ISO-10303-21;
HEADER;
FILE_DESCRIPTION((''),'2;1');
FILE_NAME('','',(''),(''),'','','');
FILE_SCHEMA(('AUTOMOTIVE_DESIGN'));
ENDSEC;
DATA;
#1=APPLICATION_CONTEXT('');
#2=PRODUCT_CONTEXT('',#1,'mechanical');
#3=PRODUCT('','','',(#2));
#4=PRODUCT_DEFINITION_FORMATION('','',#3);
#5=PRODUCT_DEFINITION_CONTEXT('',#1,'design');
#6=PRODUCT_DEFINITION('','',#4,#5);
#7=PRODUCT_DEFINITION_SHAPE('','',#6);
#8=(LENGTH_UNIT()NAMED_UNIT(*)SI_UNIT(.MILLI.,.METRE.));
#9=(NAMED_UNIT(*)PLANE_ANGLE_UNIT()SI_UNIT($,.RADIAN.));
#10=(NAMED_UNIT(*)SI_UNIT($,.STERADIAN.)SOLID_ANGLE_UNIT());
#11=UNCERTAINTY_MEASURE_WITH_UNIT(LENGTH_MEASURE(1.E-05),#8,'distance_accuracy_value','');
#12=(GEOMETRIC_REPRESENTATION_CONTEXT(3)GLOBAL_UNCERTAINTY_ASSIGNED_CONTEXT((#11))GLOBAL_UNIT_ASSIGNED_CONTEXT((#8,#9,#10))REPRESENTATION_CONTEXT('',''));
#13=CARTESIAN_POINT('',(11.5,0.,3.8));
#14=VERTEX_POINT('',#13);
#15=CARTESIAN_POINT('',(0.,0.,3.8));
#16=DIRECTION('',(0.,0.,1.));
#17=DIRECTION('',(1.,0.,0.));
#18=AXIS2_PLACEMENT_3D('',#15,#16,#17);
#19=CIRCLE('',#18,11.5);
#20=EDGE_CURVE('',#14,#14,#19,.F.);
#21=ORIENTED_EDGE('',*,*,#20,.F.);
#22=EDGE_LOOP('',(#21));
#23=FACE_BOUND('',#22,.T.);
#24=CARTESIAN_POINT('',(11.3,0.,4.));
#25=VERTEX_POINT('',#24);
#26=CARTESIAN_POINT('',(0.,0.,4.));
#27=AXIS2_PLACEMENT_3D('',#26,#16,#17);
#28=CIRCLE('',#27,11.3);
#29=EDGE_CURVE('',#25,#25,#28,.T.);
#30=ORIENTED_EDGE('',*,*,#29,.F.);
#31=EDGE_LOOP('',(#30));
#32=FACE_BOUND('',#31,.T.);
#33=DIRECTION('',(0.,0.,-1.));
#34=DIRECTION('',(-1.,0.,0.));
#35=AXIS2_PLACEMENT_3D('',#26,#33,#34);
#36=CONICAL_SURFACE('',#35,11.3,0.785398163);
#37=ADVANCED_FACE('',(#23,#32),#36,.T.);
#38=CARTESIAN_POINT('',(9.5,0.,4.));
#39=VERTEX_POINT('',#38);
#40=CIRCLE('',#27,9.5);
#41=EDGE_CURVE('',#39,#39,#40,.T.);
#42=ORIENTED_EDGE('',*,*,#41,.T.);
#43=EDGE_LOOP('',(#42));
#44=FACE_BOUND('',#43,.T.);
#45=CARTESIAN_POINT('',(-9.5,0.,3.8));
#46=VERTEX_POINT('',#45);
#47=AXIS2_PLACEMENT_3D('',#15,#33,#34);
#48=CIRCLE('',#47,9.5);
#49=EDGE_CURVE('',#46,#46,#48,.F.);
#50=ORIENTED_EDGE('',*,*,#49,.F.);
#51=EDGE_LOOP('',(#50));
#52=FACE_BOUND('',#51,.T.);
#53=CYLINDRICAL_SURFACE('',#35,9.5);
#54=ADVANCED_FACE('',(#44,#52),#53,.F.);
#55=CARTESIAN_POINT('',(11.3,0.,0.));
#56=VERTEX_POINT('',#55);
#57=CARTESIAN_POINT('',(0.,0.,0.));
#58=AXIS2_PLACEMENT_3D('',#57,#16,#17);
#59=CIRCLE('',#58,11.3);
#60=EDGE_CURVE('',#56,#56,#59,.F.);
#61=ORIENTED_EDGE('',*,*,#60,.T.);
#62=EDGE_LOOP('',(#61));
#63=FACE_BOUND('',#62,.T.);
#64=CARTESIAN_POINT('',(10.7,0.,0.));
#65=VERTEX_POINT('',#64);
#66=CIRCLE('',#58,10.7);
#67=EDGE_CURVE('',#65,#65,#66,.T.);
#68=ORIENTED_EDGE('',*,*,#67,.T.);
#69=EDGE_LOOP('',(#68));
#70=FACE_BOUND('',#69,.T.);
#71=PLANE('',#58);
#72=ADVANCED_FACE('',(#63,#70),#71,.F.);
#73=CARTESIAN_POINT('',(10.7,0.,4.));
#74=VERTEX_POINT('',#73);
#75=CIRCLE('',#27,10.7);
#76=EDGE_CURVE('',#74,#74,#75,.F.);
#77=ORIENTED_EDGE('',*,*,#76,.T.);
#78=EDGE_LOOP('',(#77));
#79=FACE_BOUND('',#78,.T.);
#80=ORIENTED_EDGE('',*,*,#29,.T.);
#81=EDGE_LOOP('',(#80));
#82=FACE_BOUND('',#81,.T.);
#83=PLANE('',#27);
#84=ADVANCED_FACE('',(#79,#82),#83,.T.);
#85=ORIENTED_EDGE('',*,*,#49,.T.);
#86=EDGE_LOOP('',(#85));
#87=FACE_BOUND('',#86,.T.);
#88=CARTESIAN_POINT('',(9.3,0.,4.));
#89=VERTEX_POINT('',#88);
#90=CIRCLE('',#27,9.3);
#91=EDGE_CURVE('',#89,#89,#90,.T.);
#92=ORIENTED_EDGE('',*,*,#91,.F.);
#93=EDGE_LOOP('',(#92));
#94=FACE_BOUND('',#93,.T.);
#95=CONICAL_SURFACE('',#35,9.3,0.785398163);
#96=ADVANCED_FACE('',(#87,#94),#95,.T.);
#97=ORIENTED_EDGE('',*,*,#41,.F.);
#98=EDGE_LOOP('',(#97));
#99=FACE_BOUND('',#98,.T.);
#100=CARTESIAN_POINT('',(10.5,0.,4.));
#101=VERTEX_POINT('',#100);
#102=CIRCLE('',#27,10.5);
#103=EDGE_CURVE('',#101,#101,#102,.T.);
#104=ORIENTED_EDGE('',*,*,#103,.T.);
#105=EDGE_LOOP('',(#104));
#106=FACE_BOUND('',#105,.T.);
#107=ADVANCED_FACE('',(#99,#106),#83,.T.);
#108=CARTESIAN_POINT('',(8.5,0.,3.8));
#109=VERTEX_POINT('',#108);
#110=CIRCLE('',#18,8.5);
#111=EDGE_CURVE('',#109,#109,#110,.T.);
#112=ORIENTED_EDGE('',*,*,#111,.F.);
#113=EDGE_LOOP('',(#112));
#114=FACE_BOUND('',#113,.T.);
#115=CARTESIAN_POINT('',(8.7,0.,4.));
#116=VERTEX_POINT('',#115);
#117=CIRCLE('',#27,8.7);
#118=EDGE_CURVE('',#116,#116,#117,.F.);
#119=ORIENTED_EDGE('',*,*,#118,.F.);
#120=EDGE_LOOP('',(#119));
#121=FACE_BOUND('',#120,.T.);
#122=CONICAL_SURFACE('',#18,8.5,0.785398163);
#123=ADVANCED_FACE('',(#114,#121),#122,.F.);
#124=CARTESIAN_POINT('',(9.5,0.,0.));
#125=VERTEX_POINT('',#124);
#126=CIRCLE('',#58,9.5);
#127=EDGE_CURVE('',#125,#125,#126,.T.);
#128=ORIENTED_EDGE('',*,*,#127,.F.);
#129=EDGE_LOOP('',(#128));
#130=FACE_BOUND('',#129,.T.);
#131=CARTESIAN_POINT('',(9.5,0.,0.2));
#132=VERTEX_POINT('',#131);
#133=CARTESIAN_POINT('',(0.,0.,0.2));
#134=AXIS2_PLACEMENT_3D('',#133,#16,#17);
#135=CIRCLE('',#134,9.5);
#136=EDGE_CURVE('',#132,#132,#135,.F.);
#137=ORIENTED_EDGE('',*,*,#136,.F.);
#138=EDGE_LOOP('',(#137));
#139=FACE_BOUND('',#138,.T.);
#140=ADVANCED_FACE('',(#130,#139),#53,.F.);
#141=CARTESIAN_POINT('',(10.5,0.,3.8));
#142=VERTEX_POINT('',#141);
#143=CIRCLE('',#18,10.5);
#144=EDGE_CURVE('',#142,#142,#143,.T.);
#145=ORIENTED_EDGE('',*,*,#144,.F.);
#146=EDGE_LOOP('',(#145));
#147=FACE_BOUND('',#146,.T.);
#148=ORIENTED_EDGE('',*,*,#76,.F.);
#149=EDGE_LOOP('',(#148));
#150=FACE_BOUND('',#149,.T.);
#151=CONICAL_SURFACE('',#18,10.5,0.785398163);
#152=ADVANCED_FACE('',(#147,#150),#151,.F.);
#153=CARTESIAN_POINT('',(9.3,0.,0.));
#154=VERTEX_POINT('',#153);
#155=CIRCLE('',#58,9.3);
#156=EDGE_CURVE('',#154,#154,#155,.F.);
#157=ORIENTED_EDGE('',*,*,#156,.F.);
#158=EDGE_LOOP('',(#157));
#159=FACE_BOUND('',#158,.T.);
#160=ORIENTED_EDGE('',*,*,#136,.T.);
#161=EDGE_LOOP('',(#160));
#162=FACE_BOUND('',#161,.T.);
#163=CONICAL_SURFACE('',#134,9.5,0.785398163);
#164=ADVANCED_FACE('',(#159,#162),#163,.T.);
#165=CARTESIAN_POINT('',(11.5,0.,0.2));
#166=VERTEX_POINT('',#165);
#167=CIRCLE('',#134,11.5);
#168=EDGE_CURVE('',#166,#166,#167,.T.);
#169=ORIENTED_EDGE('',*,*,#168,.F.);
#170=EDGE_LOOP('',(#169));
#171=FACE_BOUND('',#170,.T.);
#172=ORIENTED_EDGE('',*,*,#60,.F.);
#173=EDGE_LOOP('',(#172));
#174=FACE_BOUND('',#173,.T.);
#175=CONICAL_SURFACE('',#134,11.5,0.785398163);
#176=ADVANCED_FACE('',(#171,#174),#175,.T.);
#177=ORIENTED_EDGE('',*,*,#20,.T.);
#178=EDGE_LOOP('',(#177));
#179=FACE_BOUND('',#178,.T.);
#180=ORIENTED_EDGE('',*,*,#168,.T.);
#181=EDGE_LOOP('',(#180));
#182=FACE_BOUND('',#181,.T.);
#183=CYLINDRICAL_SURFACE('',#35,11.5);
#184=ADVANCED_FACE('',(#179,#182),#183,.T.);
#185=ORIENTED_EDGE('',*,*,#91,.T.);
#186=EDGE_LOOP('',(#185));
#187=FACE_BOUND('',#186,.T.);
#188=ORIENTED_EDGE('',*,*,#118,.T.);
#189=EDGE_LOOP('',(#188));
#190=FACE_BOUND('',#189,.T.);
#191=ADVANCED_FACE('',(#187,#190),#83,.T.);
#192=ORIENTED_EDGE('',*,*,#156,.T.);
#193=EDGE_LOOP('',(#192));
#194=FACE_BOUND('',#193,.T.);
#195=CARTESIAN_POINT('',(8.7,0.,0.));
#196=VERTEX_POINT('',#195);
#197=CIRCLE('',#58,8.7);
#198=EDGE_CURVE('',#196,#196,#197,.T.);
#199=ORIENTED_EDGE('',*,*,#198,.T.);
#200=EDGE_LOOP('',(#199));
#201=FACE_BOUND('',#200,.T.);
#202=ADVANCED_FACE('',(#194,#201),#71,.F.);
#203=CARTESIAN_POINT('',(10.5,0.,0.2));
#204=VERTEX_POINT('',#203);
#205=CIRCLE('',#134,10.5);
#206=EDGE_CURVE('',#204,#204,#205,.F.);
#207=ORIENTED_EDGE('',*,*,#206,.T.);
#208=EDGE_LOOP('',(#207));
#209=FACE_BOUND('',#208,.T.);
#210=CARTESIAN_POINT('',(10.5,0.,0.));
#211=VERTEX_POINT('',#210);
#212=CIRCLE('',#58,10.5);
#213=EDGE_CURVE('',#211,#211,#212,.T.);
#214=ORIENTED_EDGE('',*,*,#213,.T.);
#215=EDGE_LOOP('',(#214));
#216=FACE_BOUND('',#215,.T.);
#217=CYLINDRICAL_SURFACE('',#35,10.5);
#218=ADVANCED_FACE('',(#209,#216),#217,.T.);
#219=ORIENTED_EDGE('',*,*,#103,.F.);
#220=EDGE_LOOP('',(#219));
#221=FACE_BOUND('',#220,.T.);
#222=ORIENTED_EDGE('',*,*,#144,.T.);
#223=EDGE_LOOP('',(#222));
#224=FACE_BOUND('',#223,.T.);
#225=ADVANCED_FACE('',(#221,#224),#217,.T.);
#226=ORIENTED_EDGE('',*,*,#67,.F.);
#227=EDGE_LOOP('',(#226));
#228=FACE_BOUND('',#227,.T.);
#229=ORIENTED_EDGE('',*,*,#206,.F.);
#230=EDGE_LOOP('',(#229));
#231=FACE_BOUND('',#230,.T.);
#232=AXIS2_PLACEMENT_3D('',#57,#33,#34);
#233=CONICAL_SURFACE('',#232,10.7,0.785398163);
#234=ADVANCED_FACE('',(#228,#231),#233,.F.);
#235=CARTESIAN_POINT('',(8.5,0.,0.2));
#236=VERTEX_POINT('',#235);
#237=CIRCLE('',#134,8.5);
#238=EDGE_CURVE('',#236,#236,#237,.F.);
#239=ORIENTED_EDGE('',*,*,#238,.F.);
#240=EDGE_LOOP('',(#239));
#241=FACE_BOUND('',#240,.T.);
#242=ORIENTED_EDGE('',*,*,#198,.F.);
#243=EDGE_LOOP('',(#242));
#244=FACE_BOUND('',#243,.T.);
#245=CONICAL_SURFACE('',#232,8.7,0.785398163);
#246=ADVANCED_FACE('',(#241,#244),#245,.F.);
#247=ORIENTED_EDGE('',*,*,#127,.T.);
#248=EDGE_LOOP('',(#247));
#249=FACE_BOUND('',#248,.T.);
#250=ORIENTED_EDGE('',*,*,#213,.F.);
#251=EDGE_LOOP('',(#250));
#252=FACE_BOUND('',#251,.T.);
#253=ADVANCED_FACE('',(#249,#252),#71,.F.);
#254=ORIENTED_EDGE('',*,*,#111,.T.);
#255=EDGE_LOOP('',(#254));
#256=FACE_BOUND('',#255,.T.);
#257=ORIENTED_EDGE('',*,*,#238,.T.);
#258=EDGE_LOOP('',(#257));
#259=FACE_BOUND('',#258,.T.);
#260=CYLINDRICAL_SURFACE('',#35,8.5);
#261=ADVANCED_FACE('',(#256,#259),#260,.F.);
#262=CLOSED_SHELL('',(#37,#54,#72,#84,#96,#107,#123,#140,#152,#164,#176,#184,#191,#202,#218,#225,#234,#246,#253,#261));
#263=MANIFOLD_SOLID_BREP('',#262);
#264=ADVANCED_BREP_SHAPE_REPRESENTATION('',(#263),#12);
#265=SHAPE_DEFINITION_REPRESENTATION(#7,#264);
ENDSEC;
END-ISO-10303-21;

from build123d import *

# Parameters (mm, degrees)
SKETCH1_R             = 11.5
SKETCH1_R_2           = 10.5
BOSS_EXTRUDE1_DEPTH   = 4
SKETCH1_R_3           = 9.5
SKETCH1_R_4           = 8.5
BOSS_EXTRUDE1_2_DEPTH = 4
CHAMFER1_SIZE         = 0.2
CHAMFER2_SIZE         = 0.2
SKETCH1_3_R           = 10.5
SKETCH1_3_R_2         = 9.5
BOSS_EXTRUDE2_DEPTH   = 4


with BuildPart() as part:
    # Sketch1 → Boss-Extrude1 (new body)
    with BuildSketch(Plane.XY):
        Circle(SKETCH1_R)
        Circle(SKETCH1_R_2, mode=Mode.SUBTRACT)
    extrude(amount=BOSS_EXTRUDE1_DEPTH)

    # Chamfer1
    chamfer1_edges = [part.edges().sort_by_distance(p)[0] for p in [
        (-11.5, 0, 0),
        (-10.5, 0, 0),
        (-10.5, 0, 4),
        (-11.5, 0, 4),
    ]]
    chamfer(chamfer1_edges, length=CHAMFER1_SIZE)



with BuildPart() as body_2:
    # Sketch1 → Boss-Extrude1 2 (new body)
    with BuildSketch(Plane.XY):
        Circle(SKETCH1_R_3)
        Circle(SKETCH1_R_4, mode=Mode.SUBTRACT)
    extrude(amount=BOSS_EXTRUDE1_2_DEPTH)

    # Chamfer2
    chamfer2_edges = [body_2.edges().sort_by_distance(p)[0] for p in [
        (-9.5, 0, 0),
        (-8.5, 0, 0),
        (-8.5, 0, 4),
        (-9.5, 0, 4),
    ]]
    chamfer(chamfer2_edges, length=CHAMFER2_SIZE)


with BuildPart() as part_1:
    add(part.part)

    add(body_2.part)  # Boss-Extrude2 merges body 2
    # Sketch1<3> → Boss-Extrude2 (add)
    with BuildSketch(Plane.XY):
        Circle(SKETCH1_3_R)
        Circle(SKETCH1_3_R_2, mode=Mode.SUBTRACT)
    extrude(amount=BOSS_EXTRUDE2_DEPTH)


solid = part_1.part
